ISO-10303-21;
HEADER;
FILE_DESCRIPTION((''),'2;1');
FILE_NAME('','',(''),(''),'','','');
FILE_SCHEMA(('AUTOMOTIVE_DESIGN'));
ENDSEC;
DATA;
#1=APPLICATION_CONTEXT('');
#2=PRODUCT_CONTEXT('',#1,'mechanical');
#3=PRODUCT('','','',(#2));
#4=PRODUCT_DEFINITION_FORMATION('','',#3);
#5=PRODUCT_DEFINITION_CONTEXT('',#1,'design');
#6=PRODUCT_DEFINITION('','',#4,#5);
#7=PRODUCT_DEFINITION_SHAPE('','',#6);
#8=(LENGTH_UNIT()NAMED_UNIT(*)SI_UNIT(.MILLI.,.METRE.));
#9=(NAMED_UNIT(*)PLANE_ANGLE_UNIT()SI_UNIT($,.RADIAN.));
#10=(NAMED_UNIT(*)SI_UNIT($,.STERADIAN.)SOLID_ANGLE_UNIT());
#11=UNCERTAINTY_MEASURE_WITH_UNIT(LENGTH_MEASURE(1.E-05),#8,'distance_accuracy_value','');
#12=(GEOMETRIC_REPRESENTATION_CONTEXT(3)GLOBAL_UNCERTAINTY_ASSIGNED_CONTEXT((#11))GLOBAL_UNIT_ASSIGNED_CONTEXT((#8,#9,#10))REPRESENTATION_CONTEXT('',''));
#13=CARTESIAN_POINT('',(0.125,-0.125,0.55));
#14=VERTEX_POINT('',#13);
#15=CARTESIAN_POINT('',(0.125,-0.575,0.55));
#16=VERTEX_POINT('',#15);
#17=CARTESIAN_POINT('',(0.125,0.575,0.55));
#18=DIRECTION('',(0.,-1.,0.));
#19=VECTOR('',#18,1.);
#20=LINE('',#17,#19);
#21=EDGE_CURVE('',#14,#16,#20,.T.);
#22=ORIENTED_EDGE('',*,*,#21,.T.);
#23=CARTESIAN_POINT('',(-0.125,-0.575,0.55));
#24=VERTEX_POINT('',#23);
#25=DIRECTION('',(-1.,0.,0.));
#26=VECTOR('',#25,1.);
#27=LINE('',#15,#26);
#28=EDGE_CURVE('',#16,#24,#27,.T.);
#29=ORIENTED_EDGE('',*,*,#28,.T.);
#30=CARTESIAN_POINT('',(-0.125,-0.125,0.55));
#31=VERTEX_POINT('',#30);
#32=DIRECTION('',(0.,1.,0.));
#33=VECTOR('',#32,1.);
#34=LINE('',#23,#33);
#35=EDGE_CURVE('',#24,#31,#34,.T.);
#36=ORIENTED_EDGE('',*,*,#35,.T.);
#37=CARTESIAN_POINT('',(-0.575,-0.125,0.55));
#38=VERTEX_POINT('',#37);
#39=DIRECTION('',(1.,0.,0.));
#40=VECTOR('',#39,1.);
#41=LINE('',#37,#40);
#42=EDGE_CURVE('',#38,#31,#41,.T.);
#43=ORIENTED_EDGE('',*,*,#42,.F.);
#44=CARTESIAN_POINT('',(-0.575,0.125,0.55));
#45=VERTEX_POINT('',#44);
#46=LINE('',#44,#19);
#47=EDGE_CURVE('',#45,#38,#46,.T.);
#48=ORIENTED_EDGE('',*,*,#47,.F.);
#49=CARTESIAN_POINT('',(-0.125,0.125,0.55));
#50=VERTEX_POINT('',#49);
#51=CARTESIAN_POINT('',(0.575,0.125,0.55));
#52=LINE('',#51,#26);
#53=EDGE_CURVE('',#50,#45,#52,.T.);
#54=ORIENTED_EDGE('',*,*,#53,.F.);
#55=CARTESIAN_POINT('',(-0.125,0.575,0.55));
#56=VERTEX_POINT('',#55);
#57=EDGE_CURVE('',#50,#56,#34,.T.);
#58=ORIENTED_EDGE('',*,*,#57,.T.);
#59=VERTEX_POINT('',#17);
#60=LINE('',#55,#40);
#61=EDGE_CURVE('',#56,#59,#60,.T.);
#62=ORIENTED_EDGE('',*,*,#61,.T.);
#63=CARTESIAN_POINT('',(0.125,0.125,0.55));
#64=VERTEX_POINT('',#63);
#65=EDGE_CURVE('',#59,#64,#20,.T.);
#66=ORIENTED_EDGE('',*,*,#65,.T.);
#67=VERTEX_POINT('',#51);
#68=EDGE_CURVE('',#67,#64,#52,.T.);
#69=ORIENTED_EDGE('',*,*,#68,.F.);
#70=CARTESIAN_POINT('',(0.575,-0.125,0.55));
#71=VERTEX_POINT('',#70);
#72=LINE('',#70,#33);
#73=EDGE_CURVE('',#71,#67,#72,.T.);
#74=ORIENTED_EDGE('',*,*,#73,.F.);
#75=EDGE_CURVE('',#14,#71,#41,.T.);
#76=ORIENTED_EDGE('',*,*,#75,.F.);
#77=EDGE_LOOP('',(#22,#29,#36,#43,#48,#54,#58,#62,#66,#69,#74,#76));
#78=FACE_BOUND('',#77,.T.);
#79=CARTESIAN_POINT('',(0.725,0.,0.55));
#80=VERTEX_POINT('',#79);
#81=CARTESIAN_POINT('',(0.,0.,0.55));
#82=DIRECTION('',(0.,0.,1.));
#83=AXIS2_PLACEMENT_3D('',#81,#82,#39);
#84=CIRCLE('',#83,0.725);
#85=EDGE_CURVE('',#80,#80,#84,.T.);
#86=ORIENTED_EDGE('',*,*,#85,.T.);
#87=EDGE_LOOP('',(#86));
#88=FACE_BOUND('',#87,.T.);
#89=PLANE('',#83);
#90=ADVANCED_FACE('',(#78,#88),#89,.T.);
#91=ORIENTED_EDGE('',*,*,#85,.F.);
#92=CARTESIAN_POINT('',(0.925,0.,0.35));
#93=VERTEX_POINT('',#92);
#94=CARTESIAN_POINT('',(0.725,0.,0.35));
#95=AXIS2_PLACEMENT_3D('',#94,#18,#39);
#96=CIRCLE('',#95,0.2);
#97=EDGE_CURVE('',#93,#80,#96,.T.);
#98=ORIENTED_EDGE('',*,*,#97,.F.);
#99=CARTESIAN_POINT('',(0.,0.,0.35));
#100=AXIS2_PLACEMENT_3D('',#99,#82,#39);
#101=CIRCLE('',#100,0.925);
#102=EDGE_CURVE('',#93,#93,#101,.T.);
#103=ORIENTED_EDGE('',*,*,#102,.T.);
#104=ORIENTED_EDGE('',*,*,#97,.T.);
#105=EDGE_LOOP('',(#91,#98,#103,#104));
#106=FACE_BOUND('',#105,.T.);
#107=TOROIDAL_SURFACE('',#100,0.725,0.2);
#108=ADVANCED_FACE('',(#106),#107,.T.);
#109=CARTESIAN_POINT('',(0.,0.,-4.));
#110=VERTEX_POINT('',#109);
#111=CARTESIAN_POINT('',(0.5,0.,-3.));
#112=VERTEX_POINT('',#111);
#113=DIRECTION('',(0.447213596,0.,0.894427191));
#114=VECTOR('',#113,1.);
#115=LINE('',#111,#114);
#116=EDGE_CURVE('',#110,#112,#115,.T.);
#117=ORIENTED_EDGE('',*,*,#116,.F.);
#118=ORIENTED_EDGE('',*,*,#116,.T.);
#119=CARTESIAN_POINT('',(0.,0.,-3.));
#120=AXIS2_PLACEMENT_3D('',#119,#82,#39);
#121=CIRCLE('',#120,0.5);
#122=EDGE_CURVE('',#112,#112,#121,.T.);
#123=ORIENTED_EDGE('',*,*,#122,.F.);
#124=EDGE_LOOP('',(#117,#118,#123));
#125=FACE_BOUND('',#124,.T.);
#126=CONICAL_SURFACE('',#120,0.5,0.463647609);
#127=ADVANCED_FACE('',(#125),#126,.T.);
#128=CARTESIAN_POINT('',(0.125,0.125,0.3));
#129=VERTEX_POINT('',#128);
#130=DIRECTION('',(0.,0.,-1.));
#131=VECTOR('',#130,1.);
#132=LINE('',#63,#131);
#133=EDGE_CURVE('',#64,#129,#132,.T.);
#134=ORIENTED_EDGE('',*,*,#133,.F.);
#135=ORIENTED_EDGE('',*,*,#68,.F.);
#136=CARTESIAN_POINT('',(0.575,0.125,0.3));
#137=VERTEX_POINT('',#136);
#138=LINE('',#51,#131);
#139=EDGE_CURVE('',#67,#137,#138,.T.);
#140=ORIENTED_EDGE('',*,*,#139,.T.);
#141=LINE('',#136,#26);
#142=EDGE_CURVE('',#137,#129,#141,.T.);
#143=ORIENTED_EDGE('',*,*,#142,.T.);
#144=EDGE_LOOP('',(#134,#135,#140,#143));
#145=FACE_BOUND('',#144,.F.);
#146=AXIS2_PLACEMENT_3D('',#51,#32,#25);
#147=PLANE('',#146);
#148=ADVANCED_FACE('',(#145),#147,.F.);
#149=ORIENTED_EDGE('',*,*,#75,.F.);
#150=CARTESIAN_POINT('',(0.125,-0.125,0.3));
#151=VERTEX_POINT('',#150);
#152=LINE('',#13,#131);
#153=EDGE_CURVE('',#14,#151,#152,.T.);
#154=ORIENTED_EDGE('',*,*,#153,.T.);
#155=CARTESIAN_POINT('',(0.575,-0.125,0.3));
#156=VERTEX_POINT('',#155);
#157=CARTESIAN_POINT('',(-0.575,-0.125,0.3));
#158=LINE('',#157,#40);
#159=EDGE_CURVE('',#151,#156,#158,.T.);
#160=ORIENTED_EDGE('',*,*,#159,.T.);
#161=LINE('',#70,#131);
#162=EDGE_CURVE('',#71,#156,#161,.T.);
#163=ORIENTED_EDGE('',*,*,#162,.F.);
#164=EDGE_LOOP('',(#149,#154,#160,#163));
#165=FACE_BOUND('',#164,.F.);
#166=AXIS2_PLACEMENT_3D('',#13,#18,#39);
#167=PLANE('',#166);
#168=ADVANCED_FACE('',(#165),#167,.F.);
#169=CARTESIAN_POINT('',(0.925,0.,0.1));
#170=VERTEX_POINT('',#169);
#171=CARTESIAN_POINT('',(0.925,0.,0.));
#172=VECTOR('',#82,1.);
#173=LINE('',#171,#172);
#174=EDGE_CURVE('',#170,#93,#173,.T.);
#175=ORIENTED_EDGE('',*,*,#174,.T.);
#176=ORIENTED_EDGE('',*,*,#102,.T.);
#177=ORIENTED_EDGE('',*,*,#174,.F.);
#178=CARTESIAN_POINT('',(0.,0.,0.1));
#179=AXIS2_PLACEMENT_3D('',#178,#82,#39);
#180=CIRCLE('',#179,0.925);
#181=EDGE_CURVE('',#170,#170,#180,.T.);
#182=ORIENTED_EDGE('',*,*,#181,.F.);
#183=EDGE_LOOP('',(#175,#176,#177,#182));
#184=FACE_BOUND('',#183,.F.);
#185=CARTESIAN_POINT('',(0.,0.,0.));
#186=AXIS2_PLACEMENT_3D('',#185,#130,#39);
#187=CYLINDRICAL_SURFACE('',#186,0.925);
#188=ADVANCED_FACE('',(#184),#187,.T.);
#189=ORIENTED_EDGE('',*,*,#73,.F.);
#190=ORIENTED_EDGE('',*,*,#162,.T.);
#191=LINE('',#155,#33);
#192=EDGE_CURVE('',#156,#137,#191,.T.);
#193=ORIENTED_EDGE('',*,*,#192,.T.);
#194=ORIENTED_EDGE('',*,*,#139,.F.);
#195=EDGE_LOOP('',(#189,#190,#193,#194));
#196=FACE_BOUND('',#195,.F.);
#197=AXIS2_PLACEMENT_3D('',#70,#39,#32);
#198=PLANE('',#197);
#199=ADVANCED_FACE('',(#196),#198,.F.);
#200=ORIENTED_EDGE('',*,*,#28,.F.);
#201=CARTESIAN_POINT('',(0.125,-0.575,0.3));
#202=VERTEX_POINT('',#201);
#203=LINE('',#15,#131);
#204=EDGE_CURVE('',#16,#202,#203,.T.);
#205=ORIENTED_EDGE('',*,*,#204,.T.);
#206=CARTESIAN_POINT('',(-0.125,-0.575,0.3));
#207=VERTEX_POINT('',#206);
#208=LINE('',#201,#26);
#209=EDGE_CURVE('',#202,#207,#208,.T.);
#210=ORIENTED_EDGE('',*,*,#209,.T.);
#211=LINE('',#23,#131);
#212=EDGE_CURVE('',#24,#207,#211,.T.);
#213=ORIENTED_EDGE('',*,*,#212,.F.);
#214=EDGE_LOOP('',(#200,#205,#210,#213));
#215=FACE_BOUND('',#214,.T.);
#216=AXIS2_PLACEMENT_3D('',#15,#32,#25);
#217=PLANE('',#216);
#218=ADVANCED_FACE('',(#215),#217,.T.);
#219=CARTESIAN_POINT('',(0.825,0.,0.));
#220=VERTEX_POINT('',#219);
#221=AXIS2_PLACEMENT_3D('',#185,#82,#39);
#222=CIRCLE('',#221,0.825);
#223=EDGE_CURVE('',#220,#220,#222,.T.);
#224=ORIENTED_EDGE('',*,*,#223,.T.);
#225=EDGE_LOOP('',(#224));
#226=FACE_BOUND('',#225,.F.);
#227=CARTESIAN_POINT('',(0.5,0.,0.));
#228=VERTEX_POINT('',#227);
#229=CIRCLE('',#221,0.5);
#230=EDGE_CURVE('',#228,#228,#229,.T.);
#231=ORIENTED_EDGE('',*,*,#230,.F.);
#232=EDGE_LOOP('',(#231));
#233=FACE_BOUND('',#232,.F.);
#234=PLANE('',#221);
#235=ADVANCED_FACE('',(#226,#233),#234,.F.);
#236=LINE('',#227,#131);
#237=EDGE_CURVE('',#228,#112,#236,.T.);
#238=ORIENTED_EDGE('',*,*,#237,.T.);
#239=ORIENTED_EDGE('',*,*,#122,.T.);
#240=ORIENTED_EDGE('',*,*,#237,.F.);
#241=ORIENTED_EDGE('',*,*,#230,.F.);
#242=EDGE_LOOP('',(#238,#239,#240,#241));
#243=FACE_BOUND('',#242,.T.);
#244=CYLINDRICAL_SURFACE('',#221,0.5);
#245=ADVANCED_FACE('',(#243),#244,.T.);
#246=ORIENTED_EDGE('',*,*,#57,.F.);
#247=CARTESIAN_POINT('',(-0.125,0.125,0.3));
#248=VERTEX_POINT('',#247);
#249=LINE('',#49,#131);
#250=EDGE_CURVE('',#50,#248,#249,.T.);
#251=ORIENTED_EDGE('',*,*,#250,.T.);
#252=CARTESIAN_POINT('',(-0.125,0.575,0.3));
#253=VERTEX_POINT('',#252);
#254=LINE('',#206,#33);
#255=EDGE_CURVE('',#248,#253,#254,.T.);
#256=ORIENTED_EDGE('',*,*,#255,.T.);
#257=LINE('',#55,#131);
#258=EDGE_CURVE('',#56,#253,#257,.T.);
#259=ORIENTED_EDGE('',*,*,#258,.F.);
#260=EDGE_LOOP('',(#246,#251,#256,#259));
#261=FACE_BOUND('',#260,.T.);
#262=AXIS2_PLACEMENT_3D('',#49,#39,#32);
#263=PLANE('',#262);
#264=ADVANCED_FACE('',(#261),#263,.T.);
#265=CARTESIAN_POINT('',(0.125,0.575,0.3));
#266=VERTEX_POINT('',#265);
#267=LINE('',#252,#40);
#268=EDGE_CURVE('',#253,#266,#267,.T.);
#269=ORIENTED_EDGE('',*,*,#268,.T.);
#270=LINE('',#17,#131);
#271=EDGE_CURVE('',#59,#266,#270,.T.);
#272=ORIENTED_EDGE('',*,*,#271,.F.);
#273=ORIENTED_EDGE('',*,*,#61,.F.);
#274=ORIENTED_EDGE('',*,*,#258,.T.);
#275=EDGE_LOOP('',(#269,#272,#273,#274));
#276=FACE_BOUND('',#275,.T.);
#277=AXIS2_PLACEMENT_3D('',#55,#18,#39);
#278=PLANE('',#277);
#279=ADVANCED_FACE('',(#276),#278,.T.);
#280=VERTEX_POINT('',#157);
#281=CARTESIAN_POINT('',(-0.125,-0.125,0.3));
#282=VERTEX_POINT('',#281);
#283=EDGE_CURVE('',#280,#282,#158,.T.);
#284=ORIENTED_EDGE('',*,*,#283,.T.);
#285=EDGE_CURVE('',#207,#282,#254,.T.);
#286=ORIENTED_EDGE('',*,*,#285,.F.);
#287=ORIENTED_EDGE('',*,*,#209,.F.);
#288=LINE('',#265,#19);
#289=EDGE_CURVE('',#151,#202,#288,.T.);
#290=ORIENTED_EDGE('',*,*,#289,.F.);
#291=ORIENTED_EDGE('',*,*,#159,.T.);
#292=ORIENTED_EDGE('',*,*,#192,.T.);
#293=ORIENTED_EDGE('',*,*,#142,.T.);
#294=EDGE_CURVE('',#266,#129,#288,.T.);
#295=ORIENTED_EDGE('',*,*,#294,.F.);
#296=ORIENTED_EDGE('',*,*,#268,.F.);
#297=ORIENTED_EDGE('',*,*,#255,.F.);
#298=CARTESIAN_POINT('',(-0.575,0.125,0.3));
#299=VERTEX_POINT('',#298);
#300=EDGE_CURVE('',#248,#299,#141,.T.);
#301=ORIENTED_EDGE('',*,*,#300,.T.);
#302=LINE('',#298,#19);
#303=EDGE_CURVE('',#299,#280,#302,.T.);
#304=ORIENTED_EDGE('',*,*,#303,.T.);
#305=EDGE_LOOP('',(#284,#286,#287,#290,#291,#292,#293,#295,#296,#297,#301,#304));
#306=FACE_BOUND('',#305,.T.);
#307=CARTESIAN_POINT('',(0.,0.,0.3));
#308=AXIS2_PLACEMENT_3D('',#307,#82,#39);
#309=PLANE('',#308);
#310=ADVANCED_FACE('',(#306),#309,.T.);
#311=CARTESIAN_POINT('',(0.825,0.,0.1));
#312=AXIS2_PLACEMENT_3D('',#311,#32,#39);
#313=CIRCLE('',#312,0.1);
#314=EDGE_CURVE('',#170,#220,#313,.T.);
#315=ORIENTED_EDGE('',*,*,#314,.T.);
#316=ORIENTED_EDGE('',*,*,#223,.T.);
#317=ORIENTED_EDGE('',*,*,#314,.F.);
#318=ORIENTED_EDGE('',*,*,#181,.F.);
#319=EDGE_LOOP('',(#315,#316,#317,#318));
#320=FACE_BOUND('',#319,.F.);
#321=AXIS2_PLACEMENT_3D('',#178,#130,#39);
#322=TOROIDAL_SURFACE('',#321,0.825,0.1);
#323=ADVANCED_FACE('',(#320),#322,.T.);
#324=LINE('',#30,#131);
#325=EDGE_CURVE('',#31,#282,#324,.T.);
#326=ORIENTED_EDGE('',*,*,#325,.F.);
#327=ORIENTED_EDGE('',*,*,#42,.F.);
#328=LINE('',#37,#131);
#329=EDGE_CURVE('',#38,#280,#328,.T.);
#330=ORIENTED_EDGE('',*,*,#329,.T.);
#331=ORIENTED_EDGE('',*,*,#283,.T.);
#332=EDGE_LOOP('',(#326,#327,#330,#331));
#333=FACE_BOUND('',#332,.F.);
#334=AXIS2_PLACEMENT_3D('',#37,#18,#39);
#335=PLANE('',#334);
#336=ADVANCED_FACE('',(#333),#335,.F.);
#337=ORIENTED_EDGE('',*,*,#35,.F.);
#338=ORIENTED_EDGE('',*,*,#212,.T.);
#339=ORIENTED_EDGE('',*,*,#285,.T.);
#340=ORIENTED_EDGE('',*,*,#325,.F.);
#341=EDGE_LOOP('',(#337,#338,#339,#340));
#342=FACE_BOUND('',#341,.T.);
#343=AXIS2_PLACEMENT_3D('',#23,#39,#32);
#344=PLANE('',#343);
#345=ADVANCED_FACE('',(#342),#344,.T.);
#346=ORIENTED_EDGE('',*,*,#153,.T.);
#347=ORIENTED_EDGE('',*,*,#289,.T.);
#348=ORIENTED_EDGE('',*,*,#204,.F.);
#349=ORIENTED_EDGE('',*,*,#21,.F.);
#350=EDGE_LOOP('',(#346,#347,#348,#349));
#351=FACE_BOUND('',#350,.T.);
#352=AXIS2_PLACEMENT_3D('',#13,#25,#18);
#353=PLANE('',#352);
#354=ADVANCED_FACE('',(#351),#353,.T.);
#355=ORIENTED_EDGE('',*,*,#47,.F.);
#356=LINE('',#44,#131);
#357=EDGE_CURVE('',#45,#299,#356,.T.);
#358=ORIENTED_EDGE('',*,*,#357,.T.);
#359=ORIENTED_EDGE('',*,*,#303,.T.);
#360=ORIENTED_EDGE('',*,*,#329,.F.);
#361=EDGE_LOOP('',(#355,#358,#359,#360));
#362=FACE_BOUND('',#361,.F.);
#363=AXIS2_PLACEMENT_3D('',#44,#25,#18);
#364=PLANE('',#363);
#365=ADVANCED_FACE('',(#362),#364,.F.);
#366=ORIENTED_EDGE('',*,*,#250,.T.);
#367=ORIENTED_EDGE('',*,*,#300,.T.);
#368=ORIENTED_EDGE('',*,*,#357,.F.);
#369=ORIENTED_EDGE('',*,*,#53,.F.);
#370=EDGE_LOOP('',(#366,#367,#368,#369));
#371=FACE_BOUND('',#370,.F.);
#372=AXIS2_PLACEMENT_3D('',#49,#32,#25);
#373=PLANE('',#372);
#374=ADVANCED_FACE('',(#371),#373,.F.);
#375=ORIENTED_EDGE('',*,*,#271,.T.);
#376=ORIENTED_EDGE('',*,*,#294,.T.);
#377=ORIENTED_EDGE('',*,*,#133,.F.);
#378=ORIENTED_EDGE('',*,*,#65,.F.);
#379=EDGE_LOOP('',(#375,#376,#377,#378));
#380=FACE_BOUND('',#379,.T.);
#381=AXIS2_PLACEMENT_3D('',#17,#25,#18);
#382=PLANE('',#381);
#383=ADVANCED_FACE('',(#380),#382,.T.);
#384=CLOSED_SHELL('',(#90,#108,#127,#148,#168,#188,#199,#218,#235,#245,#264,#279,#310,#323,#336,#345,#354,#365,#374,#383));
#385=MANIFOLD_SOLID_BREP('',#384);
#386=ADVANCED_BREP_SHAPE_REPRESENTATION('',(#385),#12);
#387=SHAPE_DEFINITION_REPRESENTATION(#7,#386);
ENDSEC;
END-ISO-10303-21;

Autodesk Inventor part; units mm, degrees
ref_plane "YZ Plane" through (0, 0, 0) normal (1, 0, 0) x (0, 1, 0)
ref_plane "XZ Plane" through (0, 0, 0) normal (0, 1, 0) x (-1, 0, 0)
ref_plane "XY Plane" through (0, 0, 0) normal (0, 0, 1) x (1, 0, 0)
sketch "Sketch1" plane through (0, 0, 0) normal (0, 0, 1) x (1, 0, 0)
  circle A0 centre (0, 0) radius 0.5
  dimension "d0" = 1
extrude "Extrusion1" add sketch "Sketch1" against normal blind 4
sketch "Sketch2" plane through (0, 0, 0) normal (0, 0, 1) x (1, 0, 0)
  circle A0 centre (0, 0) radius 0.925
  dimension "d3" = 1.85
extrude "Extrusion2" add sketch "Sketch2" along normal blind 0.55
chamfer "Chamfer1" distance 0.5 distance2 1 1 edges at (-0.5, 0, -4) measured on face at (0.3086, -0.1558, -4)
fillet "Fillet1" radius 0.2 1 edges at (-0.925, 0, 0.55)
fillet "Fillet2" radius 0.1 1 edges at (-0.925, 0, 0)
sketch "Sketch3" plane through (0, 0, 0.55) normal (0, 0, 1) x (1, 0, 0)
  line L0 (0.575, 0.125) -> (-0.575, 0.125)
  line L1 (-0.575, 0.125) -> (-0.575, -0.125)
  line L2 (-0.575, -0.125) -> (0.575, -0.125)
  line L3 (0.575, -0.125) -> (0.575, 0.125)
  line L4 (0.575, 0.125) -> (-0.575, -0.125) construction
  line L5 (-0.575, 0.125) -> (0.575, -0.125) construction
  line L6 (0.125, -0.575) -> (-0.125, -0.575)
  line L7 (-0.125, -0.575) -> (-0.125, 0.575)
  line L8 (-0.125, 0.575) -> (0.125, 0.575)
  line L9 (0.125, 0.575) -> (0.125, -0.575)
  line L10 (0.125, -0.575) -> (-0.125, 0.575) construction
  line L11 (-0.125, -0.575) -> (0.125, 0.575) construction
  point P0 (0, 0)
  point P1 (0, 0)
  dimension "d11" = 1.15
  dimension "d12" = 0.25
  dimension "d13" = 0.25
  dimension "d14" = 1.15
extrude "Extrusion3" cut sketch "Sketch3" against normal blind 0.25
thread "Thread1" size "M1x0.25" class "6g" standard "ANSI Metric M Profile" full length
properties part number "M1_4mm self-tapping screw"
